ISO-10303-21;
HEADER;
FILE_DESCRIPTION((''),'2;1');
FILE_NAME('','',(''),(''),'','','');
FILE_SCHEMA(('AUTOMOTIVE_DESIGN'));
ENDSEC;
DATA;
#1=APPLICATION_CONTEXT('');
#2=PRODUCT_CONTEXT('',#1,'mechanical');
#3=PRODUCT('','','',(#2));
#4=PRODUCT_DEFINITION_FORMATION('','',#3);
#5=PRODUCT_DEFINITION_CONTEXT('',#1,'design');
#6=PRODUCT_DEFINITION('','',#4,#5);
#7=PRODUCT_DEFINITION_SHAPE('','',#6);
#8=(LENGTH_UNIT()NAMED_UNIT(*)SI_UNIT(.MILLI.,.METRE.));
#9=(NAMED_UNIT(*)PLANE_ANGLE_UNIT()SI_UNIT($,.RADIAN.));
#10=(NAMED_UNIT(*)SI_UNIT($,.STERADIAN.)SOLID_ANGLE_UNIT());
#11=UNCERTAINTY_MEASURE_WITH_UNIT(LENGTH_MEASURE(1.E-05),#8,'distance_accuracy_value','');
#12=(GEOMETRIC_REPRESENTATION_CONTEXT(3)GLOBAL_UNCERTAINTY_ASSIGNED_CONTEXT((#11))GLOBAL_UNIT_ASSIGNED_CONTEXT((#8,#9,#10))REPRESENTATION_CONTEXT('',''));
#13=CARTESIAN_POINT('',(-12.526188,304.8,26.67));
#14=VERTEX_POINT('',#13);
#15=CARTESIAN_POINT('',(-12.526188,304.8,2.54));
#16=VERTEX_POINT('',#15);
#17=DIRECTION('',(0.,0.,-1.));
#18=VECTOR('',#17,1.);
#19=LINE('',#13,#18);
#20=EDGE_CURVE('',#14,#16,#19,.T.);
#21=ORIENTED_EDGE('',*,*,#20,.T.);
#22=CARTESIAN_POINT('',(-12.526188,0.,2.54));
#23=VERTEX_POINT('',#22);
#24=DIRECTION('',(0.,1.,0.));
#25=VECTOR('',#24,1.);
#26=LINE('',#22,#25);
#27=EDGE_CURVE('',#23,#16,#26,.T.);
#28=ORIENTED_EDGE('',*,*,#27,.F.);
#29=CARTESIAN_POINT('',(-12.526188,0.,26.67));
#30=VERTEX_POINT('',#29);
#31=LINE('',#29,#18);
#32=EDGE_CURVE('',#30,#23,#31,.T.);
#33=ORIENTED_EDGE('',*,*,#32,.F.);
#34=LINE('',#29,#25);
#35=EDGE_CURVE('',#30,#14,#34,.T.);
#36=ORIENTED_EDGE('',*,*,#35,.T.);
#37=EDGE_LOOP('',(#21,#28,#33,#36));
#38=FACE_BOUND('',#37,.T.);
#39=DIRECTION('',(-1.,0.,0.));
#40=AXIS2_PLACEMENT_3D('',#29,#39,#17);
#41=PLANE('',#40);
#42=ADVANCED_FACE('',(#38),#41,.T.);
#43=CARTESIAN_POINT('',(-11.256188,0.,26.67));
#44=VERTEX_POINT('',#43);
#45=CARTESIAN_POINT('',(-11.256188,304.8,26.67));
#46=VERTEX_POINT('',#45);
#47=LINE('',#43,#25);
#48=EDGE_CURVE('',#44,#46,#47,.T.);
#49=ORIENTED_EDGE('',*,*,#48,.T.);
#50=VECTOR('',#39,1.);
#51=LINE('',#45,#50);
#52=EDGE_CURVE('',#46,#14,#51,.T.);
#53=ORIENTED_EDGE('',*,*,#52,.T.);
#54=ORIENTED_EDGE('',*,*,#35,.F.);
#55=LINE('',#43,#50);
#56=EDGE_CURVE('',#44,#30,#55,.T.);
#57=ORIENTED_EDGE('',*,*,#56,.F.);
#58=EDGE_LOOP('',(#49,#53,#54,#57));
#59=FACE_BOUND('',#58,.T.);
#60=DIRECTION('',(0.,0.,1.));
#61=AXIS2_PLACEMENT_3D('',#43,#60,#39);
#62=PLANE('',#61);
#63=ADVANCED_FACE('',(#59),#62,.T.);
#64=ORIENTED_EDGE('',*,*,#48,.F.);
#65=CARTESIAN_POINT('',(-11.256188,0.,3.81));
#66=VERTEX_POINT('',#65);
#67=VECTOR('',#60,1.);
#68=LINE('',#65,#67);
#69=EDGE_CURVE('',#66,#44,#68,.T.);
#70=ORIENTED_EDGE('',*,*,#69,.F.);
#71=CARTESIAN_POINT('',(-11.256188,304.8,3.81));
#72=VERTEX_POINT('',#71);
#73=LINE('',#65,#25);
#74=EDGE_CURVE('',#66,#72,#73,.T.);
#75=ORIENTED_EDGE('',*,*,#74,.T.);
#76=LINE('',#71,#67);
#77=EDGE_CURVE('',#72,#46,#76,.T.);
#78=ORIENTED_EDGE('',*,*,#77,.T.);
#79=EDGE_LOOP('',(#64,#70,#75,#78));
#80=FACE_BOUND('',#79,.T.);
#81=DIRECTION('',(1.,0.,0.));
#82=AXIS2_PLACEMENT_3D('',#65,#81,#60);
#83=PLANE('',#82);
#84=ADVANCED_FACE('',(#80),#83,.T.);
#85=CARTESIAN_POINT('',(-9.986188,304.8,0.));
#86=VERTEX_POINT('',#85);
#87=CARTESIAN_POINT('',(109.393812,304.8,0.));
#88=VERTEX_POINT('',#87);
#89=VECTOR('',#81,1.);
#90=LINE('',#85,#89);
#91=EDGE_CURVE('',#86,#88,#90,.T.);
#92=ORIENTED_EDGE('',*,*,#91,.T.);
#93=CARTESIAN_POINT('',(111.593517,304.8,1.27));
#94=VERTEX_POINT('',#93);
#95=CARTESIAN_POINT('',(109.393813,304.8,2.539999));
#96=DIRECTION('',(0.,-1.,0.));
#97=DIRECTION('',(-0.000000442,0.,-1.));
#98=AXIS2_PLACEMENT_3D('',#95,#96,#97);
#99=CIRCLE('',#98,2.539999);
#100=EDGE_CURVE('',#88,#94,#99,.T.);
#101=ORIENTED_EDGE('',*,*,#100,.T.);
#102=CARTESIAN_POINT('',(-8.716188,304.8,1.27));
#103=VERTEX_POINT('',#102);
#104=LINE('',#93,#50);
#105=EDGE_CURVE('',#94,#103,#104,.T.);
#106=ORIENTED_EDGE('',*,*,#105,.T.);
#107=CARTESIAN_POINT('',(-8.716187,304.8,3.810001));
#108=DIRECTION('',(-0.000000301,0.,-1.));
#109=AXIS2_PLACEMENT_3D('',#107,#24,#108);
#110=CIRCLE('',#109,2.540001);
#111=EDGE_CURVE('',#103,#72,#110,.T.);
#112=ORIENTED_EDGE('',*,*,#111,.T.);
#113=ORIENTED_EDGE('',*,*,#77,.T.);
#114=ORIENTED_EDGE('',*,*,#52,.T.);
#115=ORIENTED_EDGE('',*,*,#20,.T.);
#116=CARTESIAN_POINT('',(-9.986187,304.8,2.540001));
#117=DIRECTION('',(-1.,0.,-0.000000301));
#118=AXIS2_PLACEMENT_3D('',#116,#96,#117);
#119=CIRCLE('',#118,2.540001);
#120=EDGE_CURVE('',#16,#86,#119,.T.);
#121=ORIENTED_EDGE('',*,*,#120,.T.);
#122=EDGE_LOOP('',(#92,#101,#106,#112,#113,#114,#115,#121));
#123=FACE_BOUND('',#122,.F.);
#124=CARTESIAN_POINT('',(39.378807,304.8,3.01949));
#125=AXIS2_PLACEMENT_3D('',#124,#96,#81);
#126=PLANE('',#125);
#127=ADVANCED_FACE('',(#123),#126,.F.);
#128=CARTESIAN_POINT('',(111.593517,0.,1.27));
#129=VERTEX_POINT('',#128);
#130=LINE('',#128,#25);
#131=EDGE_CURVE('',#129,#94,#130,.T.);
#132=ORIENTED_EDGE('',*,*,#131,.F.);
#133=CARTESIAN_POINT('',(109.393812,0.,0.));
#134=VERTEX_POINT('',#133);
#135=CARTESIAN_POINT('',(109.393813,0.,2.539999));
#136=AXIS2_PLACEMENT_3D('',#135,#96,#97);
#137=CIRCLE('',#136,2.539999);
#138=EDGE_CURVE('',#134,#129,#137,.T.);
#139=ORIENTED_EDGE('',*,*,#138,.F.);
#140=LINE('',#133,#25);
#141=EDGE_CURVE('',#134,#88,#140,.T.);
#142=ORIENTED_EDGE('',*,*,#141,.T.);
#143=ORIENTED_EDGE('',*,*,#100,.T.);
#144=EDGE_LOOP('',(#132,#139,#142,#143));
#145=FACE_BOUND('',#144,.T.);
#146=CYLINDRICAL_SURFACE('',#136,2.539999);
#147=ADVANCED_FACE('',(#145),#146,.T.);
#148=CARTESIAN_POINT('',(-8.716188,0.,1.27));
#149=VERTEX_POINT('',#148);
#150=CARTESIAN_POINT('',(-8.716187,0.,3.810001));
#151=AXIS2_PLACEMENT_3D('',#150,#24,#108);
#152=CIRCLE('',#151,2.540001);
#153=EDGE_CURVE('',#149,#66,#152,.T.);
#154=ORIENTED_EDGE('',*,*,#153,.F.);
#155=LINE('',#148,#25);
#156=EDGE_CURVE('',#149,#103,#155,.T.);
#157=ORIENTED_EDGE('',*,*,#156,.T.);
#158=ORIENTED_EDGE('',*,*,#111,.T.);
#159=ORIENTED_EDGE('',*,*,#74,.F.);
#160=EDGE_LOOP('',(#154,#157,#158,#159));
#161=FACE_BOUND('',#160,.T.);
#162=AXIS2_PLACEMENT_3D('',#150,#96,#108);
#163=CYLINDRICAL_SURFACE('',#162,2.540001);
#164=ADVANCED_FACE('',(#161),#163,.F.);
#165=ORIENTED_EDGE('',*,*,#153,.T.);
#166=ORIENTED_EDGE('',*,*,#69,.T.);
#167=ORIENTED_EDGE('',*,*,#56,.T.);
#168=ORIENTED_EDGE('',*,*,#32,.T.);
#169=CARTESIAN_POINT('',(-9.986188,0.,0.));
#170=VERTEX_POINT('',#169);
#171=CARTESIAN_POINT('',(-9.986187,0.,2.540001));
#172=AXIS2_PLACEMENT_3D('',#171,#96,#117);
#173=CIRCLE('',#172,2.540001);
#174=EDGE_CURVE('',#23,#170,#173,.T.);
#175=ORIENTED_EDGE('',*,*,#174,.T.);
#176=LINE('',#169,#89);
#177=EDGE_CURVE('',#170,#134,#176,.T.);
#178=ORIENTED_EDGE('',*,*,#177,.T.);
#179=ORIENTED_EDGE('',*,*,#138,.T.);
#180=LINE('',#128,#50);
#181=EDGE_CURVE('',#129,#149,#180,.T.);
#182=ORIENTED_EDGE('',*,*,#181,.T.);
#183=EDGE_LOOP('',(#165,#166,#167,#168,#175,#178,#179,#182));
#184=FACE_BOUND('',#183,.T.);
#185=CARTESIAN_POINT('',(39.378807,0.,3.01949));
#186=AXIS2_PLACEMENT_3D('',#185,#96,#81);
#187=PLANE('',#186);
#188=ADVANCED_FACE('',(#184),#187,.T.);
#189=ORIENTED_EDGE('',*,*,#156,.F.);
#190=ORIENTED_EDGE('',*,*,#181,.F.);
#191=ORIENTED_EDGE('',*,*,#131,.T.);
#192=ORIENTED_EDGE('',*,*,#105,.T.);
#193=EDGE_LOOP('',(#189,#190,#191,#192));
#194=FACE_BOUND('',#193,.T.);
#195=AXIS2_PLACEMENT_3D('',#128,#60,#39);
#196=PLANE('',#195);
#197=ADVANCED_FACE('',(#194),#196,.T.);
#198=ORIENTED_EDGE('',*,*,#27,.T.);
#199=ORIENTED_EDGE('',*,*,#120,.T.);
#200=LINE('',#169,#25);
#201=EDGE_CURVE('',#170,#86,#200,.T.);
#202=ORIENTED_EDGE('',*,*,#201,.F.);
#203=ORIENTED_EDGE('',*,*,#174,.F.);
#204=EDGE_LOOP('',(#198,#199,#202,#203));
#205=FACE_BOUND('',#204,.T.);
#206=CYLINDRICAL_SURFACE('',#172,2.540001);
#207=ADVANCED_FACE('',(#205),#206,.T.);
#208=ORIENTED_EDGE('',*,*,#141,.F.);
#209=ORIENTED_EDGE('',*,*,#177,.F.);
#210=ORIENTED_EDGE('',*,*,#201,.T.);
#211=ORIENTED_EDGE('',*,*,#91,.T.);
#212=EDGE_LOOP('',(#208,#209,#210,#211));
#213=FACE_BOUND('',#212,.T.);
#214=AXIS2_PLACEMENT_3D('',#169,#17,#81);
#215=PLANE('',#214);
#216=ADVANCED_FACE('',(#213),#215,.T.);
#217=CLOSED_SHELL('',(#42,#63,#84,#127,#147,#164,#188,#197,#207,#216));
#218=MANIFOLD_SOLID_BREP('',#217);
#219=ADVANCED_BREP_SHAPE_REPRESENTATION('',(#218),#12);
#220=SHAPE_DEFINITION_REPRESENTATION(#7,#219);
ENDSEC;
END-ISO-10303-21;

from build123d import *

# Parameters (mm, degrees)
F1_DEPTH = 304.8


with BuildPart() as f1:
    # F0 (on Front) → F1 (new body)
    with BuildSketch(Plane.XZ):
        with BuildLine():
            Line((-9.986188, 0), (0, 0))
            Line((0, 0), (109.393812, 0))
            ThreePointArc((109.393812, 0), (110.663812, 0.340295), (111.593517, 1.27))
            Line((111.593517, 1.27), (-8.716188, 1.27))
            ThreePointArc((-8.716188, 1.27), (-10.512239, 2.013949), (-11.256188, 3.81))
            Line((-11.256188, 3.81), (-11.256188, 26.67))
            Line((-11.256188, 26.67), (-12.526188, 26.67))
            Line((-12.526188, 26.67), (-12.526188, 2.54))
            ThreePointArc((-12.526188, 2.54), (-11.782239, 0.743949), (-9.986188, 0))
        make_face()
    extrude(amount=-F1_DEPTH)


solid = f1.part
